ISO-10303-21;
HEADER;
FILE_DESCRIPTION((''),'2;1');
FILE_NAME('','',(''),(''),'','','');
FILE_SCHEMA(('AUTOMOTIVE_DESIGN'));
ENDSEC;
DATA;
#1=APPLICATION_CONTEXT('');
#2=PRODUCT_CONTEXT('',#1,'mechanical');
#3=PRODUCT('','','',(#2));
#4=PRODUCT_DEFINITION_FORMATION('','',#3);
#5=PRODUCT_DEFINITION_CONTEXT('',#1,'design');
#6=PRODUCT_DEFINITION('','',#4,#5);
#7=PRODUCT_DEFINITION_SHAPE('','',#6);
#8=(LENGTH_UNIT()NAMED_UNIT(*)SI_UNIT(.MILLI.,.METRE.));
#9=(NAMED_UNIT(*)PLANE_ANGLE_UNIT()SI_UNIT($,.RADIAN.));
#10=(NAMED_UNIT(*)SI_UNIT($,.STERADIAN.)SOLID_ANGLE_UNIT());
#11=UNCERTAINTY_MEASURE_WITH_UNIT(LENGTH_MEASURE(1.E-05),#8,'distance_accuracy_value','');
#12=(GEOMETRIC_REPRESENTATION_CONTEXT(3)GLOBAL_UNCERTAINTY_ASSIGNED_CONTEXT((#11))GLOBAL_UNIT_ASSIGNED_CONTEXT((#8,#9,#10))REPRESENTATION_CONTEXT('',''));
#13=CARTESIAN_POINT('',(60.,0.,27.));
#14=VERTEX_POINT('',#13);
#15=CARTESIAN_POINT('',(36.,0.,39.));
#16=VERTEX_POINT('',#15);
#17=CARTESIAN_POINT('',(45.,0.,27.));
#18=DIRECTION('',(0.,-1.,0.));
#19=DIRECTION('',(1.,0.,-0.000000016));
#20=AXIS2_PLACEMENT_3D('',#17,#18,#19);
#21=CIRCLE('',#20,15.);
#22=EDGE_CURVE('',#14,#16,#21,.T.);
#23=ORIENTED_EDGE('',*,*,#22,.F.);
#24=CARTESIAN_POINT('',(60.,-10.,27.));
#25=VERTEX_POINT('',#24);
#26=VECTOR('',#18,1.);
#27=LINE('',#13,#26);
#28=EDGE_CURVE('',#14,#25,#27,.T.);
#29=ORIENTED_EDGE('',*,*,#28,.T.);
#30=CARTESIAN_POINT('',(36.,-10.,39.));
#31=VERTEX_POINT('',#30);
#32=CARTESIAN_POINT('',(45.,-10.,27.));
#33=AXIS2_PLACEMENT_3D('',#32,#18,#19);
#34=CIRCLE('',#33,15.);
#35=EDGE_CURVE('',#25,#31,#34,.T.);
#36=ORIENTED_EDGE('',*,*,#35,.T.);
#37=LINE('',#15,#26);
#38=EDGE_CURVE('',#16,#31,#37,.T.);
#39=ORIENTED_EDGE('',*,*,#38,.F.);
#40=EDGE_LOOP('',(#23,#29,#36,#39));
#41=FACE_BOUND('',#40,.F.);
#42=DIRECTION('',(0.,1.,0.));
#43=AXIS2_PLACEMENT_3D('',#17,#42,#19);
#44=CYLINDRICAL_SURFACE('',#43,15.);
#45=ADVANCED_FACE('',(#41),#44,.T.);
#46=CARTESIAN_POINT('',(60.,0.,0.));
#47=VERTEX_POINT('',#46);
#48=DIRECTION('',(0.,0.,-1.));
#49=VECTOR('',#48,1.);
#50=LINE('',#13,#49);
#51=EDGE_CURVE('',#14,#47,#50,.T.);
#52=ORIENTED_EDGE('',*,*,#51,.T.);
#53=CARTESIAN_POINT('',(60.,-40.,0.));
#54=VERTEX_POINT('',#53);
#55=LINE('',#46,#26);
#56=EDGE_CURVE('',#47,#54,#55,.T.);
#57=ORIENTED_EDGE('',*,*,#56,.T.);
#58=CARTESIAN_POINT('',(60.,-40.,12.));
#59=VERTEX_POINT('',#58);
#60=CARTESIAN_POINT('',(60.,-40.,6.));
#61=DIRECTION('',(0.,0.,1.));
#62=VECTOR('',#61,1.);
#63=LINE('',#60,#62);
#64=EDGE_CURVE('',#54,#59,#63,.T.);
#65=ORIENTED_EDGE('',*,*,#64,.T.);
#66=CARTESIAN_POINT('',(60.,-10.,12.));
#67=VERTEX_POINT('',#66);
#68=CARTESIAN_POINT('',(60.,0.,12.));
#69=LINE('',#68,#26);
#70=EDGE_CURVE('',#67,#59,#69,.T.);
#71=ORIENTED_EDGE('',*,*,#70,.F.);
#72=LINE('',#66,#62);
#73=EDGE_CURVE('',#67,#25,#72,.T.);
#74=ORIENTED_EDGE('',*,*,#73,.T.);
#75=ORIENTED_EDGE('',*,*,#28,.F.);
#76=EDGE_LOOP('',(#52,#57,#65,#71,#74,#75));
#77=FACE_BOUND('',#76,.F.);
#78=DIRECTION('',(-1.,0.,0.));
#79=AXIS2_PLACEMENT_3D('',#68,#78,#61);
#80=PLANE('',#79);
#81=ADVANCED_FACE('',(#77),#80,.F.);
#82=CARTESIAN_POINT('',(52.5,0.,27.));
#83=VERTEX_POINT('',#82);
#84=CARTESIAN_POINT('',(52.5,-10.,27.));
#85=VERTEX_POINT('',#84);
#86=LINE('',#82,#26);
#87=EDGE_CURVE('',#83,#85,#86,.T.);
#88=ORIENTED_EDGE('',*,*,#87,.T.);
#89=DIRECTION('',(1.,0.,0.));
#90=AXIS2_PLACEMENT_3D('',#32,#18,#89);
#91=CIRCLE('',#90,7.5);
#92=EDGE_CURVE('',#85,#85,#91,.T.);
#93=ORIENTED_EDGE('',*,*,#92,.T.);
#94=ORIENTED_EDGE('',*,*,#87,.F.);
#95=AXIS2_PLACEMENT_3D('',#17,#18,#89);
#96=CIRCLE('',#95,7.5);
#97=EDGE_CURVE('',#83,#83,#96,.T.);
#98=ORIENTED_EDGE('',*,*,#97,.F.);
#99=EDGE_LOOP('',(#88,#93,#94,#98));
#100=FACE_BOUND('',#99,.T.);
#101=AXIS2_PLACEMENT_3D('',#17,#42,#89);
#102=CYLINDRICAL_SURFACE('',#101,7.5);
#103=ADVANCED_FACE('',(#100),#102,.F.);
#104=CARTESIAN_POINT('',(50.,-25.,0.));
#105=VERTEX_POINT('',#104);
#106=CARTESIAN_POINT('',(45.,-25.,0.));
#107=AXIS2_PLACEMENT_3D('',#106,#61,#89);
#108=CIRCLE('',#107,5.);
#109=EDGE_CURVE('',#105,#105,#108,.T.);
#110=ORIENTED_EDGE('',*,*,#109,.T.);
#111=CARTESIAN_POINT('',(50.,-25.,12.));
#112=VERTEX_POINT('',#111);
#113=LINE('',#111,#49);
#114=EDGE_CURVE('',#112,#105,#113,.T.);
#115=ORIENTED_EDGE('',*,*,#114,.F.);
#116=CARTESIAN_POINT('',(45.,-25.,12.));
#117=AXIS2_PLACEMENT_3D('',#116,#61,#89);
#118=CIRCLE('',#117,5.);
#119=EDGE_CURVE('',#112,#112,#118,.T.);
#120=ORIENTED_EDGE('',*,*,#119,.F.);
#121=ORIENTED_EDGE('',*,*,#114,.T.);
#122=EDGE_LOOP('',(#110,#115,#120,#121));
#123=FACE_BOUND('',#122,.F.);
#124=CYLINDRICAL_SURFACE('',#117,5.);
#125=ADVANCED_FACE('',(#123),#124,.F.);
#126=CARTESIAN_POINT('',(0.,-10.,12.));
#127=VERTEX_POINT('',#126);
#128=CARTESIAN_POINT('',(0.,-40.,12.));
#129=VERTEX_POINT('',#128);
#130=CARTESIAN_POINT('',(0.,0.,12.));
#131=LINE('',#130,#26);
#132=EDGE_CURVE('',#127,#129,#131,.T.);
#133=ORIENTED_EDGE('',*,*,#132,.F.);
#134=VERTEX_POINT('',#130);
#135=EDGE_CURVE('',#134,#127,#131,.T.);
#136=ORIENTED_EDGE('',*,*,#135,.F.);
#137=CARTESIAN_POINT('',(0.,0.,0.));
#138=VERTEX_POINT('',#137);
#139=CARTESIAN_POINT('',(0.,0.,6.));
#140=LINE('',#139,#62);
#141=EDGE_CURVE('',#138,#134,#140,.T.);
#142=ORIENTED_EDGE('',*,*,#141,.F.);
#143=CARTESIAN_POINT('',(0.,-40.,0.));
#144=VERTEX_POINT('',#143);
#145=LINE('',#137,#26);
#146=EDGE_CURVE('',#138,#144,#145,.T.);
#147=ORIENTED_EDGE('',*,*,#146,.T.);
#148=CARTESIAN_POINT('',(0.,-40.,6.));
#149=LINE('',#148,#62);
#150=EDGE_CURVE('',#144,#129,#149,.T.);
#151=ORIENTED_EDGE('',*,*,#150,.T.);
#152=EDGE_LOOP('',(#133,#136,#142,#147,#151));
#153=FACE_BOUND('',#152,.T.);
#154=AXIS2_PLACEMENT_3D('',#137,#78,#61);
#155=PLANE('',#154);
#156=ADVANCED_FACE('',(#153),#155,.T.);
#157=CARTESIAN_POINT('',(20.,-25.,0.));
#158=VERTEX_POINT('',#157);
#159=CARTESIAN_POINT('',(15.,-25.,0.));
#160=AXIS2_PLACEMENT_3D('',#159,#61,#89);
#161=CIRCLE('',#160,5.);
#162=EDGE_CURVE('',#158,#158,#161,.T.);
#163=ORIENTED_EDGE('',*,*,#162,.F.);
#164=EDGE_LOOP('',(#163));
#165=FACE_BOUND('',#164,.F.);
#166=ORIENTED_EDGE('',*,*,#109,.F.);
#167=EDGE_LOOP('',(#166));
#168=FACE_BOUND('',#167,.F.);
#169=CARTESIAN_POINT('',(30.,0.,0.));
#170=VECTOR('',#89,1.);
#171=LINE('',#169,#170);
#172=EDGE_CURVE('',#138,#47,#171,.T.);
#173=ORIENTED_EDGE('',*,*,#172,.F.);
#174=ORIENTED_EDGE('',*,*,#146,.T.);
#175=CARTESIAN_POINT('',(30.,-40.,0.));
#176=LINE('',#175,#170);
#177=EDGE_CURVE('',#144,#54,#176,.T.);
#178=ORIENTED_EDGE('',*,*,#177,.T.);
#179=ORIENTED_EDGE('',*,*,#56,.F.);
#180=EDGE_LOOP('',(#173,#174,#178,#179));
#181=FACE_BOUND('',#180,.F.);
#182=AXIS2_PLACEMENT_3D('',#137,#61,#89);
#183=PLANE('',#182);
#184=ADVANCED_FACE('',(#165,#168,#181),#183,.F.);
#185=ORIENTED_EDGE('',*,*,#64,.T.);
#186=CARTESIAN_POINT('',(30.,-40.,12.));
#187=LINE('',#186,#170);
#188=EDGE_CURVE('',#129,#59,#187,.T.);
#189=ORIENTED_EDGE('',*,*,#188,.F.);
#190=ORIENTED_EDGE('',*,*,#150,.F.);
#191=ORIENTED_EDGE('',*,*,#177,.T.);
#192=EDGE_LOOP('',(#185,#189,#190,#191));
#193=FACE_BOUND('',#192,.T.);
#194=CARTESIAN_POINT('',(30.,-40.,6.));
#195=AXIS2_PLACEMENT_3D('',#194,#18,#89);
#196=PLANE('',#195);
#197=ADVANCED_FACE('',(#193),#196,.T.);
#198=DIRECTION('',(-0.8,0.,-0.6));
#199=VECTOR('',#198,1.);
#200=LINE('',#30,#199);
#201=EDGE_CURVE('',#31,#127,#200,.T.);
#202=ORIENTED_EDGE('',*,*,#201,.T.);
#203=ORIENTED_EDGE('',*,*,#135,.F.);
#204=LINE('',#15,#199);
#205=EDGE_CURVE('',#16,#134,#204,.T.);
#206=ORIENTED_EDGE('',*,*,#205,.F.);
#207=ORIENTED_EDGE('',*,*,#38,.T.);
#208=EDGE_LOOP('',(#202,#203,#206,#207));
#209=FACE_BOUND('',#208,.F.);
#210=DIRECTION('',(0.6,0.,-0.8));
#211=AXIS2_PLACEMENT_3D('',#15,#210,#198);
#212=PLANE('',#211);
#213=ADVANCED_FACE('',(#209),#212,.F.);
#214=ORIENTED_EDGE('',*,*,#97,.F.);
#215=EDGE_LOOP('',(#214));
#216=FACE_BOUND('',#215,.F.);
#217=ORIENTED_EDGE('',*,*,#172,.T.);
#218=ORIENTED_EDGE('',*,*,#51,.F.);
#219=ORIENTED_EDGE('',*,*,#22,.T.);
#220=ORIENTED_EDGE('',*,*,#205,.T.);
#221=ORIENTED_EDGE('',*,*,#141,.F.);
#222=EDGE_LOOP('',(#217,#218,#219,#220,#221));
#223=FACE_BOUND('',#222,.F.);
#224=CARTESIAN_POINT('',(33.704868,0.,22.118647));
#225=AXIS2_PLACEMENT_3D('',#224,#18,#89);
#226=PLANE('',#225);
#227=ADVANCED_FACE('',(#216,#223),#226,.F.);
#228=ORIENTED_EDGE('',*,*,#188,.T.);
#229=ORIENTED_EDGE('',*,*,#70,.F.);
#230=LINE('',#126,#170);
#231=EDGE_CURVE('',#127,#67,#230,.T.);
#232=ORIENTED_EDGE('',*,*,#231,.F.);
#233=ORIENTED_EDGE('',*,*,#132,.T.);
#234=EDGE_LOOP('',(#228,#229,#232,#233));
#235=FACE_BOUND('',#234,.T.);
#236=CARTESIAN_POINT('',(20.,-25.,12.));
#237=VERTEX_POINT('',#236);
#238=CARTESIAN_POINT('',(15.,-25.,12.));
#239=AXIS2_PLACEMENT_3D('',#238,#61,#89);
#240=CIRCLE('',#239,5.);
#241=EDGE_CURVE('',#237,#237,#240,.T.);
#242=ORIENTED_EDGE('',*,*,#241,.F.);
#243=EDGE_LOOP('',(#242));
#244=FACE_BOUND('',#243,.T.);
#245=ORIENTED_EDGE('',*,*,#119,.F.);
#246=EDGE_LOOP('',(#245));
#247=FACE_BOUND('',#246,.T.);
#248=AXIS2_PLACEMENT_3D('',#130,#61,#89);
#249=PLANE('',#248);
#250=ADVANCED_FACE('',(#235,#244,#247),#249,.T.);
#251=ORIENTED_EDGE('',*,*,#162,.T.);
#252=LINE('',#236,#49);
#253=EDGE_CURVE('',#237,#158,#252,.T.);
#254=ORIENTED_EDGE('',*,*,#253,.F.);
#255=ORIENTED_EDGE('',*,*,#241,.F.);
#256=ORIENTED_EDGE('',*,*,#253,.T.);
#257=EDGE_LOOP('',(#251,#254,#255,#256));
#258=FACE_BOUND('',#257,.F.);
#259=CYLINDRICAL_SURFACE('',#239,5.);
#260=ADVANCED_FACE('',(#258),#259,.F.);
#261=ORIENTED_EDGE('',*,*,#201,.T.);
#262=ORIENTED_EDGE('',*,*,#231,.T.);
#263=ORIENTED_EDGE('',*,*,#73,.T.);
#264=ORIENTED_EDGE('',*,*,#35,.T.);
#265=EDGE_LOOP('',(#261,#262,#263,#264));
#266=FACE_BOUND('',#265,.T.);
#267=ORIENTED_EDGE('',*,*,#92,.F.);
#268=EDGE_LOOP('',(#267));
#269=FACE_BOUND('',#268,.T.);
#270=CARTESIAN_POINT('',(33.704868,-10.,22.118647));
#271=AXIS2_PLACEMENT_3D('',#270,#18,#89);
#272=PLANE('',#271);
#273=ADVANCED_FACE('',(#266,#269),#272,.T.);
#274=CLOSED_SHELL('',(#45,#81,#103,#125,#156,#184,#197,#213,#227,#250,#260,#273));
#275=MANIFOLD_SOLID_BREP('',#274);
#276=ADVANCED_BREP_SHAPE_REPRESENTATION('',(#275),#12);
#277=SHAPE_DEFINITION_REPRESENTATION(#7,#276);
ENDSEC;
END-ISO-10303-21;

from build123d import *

# Parameters (mm, degrees)
F0_W     = 60
F0_H     = 12
F1_DEPTH = 40
F0_R     = 7.5
F2_DEPTH = 10
F3_R     = 5
F4_DEPTH = 12


with BuildPart() as f1:
    # F0 (on Front) → F1 (new body)
    with BuildSketch(Plane.XZ):
        with Locations((30, 6)):
            Rectangle(F0_W, F0_H)
    extrude(amount=F1_DEPTH)

    # F0 (on Front) → F2 (join)
    with BuildSketch(Plane.XZ):
        with BuildLine():
            Line((36, 39), (0, 12))
            Line((0, 12), (60, 12))
            Line((60, 12), (60, 27))
            ThreePointArc((60, 27), (51.708204, 40.416408), (36, 39))
        make_face()
        with Locations((45, 27)):
            Circle(F0_R, mode=Mode.SUBTRACT)
    extrude(amount=F2_DEPTH)

    # F3 (on face) → F4 (cut, through all)
    with BuildSketch(Plane.XY.offset(12)):
        with Locations((15, -25)):
            Circle(F3_R)
        with Locations((45, -25)):
            Circle(F3_R)
    extrude(amount=-F4_DEPTH, mode=Mode.SUBTRACT)


solid = f1.part
